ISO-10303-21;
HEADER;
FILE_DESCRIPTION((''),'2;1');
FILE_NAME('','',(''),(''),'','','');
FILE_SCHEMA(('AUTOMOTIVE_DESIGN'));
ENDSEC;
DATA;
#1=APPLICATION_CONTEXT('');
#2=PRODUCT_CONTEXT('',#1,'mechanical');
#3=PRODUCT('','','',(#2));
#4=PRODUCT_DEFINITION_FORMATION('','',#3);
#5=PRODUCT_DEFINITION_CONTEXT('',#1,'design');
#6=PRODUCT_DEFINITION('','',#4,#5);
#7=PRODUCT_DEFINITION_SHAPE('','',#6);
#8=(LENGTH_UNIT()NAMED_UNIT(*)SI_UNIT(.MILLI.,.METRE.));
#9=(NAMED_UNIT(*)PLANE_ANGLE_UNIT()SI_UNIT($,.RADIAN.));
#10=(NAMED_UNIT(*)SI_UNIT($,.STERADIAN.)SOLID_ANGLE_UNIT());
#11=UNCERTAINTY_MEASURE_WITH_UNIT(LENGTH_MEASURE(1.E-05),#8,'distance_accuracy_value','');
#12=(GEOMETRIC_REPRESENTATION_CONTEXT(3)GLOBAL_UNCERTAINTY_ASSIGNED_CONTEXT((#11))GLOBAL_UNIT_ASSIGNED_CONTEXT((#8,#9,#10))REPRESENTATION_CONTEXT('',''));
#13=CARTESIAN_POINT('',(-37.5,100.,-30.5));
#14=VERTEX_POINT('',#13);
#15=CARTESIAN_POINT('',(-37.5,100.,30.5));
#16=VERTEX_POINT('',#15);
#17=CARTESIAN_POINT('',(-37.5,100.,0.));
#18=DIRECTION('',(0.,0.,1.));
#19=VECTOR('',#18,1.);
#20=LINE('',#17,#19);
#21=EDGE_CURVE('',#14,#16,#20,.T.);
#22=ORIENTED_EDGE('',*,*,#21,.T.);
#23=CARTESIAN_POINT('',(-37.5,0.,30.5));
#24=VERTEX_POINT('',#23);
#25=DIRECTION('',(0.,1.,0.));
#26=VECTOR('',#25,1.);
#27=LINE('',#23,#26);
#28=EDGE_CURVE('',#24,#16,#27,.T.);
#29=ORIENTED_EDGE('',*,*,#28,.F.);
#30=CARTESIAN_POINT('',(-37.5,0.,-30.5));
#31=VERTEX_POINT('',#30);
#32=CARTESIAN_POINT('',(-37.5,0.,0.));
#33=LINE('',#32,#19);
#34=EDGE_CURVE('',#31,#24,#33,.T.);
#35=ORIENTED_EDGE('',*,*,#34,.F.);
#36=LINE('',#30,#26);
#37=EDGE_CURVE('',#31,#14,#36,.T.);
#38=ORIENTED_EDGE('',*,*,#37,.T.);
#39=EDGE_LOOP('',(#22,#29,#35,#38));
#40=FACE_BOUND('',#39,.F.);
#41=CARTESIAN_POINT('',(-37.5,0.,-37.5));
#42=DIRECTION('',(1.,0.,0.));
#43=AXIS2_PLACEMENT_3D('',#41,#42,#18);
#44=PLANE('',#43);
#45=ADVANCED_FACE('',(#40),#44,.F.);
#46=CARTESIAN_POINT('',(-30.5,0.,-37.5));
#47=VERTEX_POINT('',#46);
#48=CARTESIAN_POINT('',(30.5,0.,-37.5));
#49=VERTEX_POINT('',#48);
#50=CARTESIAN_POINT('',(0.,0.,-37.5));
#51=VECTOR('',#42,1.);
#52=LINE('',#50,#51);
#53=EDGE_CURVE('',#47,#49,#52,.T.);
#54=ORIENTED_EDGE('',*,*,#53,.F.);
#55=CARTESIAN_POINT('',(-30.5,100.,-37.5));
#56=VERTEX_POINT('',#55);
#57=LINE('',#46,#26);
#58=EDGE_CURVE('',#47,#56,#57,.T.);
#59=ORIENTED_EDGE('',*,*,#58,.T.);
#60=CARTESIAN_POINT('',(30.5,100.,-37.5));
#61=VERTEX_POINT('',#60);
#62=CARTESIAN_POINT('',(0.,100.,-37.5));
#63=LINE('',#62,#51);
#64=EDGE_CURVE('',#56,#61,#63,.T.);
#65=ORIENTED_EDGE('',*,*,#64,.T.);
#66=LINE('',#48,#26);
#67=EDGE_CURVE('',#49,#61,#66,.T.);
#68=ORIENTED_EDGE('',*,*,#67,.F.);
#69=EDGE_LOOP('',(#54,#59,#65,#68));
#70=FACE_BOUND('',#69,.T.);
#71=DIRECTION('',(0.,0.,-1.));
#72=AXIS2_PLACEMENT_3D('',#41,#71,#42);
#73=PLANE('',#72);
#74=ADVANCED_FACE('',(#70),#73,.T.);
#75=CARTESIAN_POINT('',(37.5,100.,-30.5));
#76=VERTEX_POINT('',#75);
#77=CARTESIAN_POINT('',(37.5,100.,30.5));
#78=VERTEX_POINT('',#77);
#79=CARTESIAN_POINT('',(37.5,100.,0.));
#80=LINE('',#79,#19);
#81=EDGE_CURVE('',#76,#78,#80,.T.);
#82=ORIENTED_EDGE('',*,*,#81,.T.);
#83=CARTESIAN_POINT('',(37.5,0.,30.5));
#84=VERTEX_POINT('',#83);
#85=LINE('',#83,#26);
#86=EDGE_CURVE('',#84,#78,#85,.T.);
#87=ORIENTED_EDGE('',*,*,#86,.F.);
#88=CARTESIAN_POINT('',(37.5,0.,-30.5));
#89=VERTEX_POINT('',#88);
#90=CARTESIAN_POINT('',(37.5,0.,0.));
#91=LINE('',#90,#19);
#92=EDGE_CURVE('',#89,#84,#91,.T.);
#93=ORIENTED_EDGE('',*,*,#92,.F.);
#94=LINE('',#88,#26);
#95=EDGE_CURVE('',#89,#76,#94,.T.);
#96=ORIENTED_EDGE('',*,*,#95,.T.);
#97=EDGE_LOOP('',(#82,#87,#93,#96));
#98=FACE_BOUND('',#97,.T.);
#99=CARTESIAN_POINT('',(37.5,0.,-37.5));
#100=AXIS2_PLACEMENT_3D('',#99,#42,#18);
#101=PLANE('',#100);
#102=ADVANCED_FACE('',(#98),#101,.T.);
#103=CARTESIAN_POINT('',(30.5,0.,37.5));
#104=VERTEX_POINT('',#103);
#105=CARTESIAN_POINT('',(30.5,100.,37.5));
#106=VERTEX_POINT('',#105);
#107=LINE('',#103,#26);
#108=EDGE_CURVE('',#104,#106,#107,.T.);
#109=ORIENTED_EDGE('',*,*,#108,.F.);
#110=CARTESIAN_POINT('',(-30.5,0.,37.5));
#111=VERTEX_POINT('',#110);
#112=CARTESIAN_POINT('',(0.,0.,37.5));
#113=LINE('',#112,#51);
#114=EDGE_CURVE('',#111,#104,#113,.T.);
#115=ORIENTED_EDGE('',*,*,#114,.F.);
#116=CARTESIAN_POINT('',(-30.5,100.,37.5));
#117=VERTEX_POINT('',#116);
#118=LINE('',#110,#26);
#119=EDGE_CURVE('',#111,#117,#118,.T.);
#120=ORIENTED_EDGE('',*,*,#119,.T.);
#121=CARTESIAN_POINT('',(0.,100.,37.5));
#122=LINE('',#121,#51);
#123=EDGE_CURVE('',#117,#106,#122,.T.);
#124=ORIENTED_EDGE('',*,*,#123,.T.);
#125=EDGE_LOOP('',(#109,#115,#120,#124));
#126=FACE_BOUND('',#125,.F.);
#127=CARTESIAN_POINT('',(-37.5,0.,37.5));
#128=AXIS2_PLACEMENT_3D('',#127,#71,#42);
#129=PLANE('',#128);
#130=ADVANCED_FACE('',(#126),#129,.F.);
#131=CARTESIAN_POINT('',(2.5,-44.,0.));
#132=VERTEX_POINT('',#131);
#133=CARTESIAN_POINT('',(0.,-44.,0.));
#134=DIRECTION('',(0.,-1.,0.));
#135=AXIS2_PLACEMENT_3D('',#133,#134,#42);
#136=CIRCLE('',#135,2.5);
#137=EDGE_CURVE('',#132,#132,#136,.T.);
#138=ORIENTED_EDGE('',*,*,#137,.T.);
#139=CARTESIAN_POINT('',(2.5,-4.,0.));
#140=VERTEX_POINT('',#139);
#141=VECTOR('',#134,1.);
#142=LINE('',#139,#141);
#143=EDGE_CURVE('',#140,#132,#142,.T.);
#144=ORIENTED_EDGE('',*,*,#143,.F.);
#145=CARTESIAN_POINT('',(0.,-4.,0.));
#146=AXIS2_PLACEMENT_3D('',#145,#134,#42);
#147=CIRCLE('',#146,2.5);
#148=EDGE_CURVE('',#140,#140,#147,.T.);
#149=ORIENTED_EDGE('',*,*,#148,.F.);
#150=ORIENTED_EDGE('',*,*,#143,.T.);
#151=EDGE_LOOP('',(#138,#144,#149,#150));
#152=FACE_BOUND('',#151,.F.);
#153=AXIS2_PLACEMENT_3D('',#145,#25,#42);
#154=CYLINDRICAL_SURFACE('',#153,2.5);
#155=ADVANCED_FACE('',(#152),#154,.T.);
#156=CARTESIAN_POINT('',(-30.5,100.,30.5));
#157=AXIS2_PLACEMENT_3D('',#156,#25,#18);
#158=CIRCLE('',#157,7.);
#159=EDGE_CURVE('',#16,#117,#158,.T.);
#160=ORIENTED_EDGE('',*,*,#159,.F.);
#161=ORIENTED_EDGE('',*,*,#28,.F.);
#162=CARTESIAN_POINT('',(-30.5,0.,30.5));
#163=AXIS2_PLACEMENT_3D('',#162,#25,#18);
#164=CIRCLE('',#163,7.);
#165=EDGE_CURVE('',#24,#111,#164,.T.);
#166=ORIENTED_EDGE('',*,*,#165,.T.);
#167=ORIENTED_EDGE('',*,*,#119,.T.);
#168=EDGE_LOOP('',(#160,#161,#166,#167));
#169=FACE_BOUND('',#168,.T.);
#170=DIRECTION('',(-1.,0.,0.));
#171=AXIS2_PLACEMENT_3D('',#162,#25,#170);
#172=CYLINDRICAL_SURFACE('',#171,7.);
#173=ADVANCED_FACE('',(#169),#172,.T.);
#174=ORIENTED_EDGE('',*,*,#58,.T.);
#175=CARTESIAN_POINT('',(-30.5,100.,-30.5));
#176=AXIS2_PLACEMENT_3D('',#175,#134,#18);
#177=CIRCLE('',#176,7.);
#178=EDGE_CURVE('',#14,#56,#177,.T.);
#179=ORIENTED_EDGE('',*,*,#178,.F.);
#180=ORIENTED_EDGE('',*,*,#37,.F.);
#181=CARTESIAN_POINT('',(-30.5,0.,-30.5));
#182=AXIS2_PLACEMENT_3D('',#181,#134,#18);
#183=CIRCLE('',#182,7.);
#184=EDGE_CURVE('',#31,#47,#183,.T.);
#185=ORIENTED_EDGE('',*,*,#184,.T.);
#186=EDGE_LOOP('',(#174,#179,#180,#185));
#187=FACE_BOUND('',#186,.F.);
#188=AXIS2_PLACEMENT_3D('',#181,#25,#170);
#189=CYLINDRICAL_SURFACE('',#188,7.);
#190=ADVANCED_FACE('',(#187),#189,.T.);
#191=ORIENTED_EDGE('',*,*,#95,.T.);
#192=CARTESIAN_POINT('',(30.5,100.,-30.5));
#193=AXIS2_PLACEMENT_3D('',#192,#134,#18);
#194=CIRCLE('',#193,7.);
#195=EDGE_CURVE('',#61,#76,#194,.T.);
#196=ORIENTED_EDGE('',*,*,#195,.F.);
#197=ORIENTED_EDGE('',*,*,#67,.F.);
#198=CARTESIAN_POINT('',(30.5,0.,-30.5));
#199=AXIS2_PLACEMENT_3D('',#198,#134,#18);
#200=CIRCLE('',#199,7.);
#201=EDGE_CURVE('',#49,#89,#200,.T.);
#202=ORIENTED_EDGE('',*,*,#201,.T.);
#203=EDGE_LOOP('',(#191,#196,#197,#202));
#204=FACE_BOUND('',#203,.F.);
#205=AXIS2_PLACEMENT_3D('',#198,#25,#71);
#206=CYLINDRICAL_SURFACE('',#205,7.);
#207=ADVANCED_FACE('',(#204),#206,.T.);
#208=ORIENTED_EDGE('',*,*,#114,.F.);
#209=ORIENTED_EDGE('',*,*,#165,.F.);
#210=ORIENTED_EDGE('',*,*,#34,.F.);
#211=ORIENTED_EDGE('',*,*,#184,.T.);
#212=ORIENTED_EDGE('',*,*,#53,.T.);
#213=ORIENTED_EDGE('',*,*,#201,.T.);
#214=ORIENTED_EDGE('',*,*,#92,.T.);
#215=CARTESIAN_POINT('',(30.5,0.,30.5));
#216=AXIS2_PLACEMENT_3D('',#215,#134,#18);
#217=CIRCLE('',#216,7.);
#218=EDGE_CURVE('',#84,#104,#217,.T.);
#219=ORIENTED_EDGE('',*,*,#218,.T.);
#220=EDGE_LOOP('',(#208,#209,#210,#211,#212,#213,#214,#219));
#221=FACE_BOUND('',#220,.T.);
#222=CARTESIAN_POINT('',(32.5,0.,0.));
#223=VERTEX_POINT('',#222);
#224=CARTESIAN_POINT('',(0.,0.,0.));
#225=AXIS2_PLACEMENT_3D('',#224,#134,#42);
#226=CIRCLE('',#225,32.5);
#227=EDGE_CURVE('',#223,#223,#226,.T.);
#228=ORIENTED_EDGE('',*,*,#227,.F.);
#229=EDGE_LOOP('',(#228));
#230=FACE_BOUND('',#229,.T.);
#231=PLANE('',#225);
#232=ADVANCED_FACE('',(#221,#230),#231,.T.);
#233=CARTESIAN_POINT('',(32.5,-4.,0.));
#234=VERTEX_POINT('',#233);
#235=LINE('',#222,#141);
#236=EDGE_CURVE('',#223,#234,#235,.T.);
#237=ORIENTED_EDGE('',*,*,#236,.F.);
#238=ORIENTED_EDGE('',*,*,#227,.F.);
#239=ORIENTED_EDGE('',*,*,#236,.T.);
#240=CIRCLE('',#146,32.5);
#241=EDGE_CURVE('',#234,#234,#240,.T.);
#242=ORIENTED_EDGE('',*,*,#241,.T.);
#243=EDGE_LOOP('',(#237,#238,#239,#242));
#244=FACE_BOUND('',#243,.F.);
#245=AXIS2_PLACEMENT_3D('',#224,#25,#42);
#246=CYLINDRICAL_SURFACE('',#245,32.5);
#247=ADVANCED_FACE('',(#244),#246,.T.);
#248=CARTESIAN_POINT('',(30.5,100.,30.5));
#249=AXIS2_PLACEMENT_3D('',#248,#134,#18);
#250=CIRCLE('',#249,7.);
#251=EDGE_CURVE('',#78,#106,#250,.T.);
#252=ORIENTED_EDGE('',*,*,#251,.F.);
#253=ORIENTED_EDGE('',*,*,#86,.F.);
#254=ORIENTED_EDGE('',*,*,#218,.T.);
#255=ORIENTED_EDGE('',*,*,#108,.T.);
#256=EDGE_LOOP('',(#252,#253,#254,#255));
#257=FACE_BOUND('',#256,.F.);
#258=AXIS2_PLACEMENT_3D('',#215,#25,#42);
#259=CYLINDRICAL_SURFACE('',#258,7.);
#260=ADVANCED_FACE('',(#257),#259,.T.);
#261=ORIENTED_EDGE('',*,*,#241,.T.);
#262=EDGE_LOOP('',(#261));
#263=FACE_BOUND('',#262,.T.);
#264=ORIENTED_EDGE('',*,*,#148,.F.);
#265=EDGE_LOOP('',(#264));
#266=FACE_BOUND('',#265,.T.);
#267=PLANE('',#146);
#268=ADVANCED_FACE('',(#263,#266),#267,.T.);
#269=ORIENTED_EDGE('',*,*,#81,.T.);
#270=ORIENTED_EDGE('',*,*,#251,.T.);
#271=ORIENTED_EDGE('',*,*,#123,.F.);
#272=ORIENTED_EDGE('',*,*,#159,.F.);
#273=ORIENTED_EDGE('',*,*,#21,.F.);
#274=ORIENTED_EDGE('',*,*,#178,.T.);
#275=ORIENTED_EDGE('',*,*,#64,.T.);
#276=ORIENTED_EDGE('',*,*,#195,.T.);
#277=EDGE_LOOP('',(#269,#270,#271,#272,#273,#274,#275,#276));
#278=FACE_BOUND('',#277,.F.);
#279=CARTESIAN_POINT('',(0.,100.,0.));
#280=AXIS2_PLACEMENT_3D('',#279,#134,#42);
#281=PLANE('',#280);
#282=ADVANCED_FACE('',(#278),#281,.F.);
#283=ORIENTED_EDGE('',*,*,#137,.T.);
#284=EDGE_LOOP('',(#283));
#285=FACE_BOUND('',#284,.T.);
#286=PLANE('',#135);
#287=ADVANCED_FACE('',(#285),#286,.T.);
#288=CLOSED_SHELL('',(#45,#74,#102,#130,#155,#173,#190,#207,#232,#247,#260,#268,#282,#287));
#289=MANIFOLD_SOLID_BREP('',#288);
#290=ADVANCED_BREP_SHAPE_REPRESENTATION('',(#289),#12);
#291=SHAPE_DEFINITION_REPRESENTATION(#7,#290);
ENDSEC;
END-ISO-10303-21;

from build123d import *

# Parameters (mm, degrees)
F0_W     = 75
F0_H     = 75
F1_DEPTH = 100
F2_R     = 7
F3_R     = 32.5
F4_DEPTH = 4
F5_R     = 2.5
F6_DEPTH = 40


with BuildPart() as f1:
    # F0 (on Front) → F1 (new body)
    with BuildSketch(Plane.XZ):
        Rectangle(F0_W, F0_H)
    extrude(amount=-F1_DEPTH)

    # F2
    f2_edges = [f1.edges().sort_by_distance(p)[0] for p in [
        (37.5, 50, 37.5),
        (37.5, 50, -37.5),
        (-37.5, 50, -37.5),
        (-37.5, 50, 37.5),
    ]]
    fillet(f2_edges, radius=F2_R)

    # F3 (on face) → F4 (join)
    with BuildSketch(Plane.XZ):
        Circle(F3_R)
    extrude(amount=F4_DEPTH)

    # F5 (on face) → F6 (join)
    with BuildSketch(Plane.XZ.offset(4)):
        Circle(F5_R)
    extrude(amount=F6_DEPTH)


solid = f1.part
